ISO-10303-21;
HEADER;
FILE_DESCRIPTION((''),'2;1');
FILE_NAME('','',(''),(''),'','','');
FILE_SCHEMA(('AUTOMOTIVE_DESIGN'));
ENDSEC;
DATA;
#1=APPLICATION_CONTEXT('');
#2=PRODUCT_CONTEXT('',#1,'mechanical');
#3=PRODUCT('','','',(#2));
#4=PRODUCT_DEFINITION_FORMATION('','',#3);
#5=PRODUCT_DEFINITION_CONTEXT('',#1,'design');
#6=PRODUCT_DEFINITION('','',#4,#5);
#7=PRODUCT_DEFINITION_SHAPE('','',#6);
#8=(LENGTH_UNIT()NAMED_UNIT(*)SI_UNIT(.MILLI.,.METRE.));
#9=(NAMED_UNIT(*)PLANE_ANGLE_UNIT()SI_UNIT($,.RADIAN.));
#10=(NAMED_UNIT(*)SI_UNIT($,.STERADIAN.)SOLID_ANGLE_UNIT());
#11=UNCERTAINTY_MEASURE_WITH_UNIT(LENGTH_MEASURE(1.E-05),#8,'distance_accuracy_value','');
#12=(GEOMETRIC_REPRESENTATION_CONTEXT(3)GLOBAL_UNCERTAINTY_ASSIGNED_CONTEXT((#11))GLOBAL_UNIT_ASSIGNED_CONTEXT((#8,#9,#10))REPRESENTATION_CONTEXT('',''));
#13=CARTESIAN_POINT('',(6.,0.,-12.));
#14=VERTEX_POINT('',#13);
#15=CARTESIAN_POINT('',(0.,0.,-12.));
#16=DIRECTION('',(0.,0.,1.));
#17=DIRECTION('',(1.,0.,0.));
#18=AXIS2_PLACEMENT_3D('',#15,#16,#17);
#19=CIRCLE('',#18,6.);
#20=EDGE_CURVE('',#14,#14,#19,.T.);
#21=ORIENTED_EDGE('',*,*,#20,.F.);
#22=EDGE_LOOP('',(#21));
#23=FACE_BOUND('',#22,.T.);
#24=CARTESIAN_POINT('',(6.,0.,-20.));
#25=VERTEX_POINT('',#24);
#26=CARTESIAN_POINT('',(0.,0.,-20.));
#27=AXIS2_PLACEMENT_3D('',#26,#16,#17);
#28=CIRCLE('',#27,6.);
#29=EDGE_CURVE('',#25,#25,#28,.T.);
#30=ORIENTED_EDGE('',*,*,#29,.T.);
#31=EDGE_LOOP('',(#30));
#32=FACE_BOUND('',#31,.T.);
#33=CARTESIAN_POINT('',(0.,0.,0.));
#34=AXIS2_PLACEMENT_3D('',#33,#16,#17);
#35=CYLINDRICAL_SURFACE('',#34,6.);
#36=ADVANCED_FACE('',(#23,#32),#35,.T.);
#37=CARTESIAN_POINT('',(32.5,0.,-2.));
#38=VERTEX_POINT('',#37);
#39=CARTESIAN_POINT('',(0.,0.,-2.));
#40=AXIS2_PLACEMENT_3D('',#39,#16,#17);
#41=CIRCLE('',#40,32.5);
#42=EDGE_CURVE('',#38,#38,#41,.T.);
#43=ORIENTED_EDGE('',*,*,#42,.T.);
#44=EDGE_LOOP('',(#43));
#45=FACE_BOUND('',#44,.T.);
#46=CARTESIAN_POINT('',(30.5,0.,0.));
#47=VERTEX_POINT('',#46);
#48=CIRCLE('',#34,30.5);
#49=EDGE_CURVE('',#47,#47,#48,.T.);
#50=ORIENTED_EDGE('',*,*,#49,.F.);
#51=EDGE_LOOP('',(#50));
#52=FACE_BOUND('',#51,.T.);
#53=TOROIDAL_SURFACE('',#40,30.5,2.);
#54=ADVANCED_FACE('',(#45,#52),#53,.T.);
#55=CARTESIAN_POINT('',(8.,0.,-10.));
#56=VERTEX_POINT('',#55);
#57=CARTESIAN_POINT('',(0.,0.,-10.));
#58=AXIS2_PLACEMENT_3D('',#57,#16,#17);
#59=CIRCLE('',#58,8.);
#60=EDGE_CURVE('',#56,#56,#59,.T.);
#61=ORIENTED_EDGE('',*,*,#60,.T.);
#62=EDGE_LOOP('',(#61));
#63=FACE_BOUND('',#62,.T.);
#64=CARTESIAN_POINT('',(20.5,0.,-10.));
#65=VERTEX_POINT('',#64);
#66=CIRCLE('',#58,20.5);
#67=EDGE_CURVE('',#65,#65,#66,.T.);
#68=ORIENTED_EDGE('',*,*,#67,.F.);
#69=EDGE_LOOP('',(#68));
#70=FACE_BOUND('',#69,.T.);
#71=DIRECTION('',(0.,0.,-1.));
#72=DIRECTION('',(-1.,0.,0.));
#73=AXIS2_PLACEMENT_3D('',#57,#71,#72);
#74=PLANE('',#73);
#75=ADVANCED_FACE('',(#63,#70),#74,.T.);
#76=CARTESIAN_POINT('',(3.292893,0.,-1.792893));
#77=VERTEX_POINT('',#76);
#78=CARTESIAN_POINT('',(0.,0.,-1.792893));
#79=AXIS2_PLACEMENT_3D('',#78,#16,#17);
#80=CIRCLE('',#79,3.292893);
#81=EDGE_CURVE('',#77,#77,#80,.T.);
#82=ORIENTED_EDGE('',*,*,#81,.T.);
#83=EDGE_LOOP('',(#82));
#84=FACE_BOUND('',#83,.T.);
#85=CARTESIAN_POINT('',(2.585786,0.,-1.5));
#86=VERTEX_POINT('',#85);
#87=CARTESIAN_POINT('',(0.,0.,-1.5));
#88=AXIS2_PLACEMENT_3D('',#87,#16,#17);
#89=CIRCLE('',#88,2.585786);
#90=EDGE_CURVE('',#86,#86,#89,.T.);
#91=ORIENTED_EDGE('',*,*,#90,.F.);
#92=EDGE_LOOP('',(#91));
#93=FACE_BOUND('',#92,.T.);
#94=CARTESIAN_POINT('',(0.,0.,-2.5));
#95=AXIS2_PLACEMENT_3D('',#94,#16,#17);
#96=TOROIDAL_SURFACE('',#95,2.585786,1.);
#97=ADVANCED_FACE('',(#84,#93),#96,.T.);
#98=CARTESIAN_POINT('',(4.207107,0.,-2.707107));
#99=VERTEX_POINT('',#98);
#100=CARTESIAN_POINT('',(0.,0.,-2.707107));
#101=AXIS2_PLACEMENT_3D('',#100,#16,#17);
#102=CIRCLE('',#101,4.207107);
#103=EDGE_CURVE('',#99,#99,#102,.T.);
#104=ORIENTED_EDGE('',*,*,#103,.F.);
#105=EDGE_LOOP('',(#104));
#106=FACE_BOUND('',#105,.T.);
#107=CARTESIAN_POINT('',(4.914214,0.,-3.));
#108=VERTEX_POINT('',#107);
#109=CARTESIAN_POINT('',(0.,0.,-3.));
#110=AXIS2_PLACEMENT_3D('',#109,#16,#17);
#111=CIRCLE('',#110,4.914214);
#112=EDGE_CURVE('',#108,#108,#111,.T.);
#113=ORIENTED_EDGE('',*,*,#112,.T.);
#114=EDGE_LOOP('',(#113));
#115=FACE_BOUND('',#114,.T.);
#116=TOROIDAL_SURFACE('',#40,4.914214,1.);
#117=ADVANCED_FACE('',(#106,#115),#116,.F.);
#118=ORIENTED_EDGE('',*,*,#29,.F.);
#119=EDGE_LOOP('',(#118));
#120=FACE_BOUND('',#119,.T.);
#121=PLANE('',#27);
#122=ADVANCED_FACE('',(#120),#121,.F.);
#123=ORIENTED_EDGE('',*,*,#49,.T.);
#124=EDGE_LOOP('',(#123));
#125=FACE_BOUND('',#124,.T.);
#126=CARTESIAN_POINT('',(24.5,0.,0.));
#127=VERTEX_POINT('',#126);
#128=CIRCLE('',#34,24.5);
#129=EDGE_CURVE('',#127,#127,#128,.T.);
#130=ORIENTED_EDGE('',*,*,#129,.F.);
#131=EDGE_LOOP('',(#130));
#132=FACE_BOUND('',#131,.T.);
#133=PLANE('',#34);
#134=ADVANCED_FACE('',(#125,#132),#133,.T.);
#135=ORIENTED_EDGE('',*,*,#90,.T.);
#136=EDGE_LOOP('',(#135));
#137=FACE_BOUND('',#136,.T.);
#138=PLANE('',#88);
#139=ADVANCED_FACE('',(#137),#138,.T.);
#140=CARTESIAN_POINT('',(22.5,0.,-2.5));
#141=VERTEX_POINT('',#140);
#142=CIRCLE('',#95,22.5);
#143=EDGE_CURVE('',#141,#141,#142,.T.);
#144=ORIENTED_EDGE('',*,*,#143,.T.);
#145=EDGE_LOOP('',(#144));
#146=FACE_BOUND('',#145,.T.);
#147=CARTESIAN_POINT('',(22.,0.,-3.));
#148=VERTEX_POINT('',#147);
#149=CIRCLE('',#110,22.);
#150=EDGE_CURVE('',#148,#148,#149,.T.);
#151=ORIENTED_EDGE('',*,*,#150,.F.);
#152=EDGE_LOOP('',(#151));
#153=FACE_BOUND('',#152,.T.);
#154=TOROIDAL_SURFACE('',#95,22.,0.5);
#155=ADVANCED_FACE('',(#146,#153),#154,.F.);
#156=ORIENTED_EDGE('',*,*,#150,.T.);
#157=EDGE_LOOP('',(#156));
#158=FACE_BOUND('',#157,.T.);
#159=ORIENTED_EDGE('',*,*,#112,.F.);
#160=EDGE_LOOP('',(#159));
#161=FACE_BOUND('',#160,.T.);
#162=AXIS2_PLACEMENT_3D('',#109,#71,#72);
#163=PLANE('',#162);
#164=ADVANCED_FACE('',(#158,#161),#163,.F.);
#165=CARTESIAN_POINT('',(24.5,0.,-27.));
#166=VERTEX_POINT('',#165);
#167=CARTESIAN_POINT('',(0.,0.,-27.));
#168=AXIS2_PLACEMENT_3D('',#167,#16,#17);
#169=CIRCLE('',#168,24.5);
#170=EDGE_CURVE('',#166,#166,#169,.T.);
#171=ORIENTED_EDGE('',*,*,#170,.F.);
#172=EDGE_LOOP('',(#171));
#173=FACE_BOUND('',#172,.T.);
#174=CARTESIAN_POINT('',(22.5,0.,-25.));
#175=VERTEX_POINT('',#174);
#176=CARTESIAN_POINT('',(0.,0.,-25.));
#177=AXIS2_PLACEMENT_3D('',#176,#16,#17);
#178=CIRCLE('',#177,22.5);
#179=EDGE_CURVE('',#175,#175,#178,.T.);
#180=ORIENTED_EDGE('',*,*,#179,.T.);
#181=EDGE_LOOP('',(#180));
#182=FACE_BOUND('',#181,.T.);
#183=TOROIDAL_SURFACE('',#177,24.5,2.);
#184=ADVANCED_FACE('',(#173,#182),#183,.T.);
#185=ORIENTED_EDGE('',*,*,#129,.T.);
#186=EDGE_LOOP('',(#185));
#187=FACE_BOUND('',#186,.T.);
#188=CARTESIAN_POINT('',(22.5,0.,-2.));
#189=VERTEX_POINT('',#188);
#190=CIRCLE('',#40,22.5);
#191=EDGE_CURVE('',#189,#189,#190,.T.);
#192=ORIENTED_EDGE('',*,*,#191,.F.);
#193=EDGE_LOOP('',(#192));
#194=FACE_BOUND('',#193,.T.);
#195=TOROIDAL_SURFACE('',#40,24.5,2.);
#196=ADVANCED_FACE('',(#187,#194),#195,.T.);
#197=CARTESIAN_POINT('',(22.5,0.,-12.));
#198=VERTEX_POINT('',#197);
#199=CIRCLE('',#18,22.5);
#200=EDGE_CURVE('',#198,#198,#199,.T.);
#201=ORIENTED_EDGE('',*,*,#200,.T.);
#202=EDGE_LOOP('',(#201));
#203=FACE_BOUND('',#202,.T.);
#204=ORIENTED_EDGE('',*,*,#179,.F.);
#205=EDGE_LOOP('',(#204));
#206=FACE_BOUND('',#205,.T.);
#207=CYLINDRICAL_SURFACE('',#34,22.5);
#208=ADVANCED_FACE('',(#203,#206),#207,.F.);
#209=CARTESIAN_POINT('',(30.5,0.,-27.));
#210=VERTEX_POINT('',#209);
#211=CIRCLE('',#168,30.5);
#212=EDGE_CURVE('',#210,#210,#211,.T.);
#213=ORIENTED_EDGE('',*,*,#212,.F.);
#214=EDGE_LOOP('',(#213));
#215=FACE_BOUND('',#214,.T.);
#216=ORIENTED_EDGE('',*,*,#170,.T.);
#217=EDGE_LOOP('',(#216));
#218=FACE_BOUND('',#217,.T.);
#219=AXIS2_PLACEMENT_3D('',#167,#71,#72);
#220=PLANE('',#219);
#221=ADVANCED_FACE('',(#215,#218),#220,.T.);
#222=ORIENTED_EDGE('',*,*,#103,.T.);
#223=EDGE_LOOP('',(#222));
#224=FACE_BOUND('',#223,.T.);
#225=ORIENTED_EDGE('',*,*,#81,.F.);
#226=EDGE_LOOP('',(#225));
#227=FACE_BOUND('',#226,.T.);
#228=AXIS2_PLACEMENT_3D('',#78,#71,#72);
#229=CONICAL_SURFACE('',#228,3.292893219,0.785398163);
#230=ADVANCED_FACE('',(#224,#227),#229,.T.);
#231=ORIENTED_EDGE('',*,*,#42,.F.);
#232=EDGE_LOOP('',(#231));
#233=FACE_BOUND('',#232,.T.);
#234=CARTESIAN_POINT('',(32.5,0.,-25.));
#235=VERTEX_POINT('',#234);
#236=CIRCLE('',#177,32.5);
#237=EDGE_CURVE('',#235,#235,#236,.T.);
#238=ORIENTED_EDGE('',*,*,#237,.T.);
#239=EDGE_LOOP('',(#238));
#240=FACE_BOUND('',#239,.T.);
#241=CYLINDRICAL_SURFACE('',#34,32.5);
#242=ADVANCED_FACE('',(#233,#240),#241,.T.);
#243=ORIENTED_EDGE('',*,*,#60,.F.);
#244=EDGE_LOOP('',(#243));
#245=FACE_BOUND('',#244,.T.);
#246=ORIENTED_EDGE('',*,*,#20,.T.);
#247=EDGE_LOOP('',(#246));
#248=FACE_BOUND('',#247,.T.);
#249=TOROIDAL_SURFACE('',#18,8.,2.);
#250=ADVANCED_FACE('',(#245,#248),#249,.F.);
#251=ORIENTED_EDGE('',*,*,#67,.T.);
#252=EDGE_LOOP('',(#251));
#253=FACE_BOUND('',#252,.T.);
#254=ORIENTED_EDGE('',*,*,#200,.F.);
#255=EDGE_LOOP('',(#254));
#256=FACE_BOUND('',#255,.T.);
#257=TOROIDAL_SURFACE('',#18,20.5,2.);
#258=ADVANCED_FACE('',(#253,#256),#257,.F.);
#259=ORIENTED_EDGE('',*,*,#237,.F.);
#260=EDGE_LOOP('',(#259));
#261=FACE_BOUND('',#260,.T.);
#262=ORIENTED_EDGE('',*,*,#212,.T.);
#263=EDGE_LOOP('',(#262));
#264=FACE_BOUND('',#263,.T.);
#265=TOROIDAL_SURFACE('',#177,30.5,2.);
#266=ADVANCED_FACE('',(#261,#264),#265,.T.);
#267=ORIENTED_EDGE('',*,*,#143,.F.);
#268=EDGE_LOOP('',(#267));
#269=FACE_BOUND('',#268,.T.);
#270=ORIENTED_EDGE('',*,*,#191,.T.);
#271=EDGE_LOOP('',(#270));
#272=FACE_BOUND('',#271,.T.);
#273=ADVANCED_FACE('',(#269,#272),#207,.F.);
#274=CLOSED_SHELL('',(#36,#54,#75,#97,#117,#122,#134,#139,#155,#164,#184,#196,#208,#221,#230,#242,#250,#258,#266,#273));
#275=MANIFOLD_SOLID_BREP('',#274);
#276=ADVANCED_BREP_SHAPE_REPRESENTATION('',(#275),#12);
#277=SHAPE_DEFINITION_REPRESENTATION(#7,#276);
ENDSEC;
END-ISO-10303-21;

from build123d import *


with BuildPart() as part:
    # Sketch2 → Revolve1 (revolve)
    with BuildSketch(Plane(origin=(0, 0, 0), x_dir=(1, 0, 0), z_dir=(0, 1, 0)), mode=Mode.PRIVATE) as revolve1_sk:
        with BuildLine():
            Line((-30.5, 0), (-24.5, 0))
            ThreePointArc((-24.5, 0), (-23.085786438, 0.585786438), (-22.5, 2))
            Line((-22.5, 2), (-22.5, 2.5))
            ThreePointArc((-22.5, 2.5), (-22.353553391, 2.853553391), (-22, 3))
            Line((-22, 3), (-4.914213562, 3))
            ThreePointArc((-4.914213562, 3), (-4.53153013, 2.923879533), (-4.207106781, 2.707106781))
            Line((-4.207106781, 2.707106781), (-3.292893219, 1.792893219))
            ThreePointArc((-3.292893219, 1.792893219), (-2.96846987, 1.576120467), (-2.585786438, 1.5))
            Line((-2.585786438, 1.5), (0, 1.5))
            Line((0, 1.5), (0, 20))
            Line((0, 20), (-6, 20))
            Line((-6, 20), (-6, 12))
            ThreePointArc((-6, 12), (-6.585786438, 10.585786438), (-8, 10))
            Line((-8, 10), (-20.5, 10))
            ThreePointArc((-20.5, 10), (-21.914213562, 10.585786438), (-22.5, 12))
            Line((-22.5, 12), (-22.5, 25))
            ThreePointArc((-22.5, 25), (-23.085786438, 26.414213562), (-24.5, 27))
            Line((-24.5, 27), (-30.5, 27))
            ThreePointArc((-30.5, 27), (-31.914213562, 26.414213562), (-32.5, 25))
            Line((-32.5, 25), (-32.5, 2))
            ThreePointArc((-32.5, 2), (-31.914213562, 0.585786438), (-30.5, 0))
        make_face()
    revolve(revolve1_sk.sketch.rotate(Axis((0, 0, 0), (0, 0, -1)), 180), axis=Axis((0, 0, 0), (0, 0, -1)))


solid = part.part
